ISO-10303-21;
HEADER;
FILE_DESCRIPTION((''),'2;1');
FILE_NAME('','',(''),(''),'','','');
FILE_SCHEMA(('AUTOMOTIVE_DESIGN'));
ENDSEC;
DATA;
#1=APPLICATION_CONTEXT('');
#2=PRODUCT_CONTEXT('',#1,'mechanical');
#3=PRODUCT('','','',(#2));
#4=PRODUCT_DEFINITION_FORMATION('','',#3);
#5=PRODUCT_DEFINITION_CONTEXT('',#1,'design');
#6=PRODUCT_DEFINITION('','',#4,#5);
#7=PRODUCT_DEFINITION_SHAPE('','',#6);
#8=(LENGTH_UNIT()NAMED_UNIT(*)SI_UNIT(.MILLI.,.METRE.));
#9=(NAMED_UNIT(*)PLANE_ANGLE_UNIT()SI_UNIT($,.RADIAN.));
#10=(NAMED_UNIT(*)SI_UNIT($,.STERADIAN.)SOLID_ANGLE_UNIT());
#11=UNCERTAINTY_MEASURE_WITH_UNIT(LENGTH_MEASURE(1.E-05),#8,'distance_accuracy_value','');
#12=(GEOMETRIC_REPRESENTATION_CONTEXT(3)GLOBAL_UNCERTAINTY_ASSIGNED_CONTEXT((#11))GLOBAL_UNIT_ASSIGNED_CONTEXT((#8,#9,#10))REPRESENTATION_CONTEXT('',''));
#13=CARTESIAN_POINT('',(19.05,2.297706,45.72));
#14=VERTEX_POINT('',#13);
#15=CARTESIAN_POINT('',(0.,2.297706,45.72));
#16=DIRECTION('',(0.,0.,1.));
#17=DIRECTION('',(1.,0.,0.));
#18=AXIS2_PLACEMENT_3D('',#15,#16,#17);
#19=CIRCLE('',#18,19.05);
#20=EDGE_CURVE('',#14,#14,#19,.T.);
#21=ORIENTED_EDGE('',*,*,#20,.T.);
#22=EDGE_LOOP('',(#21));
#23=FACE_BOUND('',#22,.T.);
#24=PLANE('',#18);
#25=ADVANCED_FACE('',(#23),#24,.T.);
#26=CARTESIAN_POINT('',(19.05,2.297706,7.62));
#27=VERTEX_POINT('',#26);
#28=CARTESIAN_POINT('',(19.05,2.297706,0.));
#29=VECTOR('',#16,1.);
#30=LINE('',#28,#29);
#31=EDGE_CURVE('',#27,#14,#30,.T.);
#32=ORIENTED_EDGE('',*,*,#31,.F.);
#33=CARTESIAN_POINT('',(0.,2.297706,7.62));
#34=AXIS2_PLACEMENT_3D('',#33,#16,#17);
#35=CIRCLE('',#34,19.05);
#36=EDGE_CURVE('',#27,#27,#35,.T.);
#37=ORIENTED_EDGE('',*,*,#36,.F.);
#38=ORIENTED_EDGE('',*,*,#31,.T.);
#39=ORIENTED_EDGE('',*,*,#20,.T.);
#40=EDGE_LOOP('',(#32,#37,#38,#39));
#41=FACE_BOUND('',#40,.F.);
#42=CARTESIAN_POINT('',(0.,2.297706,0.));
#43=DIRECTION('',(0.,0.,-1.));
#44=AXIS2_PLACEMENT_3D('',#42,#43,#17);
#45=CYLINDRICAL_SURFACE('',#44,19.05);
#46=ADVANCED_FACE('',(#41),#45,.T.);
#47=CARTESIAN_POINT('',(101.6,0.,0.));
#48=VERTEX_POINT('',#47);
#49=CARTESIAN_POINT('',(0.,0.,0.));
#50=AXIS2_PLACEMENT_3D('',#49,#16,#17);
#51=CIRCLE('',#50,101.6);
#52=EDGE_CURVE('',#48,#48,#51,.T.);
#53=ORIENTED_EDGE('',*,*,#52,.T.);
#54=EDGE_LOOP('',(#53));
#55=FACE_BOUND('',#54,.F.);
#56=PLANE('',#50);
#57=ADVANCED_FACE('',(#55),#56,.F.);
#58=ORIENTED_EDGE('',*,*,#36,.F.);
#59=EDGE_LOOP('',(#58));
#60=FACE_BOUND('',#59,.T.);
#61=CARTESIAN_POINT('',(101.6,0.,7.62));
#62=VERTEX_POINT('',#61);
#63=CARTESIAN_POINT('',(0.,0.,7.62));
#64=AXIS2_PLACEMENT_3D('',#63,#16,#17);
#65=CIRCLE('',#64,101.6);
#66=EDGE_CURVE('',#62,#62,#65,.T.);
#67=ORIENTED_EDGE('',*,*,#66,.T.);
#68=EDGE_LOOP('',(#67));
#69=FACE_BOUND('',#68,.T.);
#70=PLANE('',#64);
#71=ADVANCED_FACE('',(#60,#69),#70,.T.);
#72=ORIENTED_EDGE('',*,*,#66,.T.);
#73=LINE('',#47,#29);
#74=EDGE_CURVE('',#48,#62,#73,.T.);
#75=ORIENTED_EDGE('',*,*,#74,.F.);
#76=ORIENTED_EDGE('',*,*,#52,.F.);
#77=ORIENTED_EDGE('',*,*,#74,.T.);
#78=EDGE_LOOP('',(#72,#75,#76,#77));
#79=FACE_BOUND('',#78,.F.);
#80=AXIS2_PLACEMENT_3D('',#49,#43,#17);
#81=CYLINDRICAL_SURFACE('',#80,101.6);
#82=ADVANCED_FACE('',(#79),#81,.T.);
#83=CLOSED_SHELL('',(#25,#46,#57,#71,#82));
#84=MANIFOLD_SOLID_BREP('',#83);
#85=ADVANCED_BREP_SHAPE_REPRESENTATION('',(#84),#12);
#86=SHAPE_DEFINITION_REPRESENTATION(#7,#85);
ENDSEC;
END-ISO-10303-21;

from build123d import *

# Parameters (mm, degrees)
F0_R     = 19.05
F1_DEPTH = 45.72
F0_R_2   = 101.6
F0_R_3   = 72.771
F2_DEPTH = 7.62


with BuildPart() as f1:
    # F0 (on Top) → F1 (new body)
    with BuildSketch(Plane.XY):
        with Locations((0, 2.297706)):
            Circle(F0_R)
    extrude(amount=F1_DEPTH)

    # F0 (on Top) → F2 (join)
    with BuildSketch(Plane.XY):
        Circle(F0_R_2)
        Circle(F0_R_3, mode=Mode.SUBTRACT)
        Circle(F0_R_3)
        with Locations((0, 2.297706)):
            Circle(F0_R, mode=Mode.SUBTRACT)
    extrude(amount=F2_DEPTH)


solid = f1.part
